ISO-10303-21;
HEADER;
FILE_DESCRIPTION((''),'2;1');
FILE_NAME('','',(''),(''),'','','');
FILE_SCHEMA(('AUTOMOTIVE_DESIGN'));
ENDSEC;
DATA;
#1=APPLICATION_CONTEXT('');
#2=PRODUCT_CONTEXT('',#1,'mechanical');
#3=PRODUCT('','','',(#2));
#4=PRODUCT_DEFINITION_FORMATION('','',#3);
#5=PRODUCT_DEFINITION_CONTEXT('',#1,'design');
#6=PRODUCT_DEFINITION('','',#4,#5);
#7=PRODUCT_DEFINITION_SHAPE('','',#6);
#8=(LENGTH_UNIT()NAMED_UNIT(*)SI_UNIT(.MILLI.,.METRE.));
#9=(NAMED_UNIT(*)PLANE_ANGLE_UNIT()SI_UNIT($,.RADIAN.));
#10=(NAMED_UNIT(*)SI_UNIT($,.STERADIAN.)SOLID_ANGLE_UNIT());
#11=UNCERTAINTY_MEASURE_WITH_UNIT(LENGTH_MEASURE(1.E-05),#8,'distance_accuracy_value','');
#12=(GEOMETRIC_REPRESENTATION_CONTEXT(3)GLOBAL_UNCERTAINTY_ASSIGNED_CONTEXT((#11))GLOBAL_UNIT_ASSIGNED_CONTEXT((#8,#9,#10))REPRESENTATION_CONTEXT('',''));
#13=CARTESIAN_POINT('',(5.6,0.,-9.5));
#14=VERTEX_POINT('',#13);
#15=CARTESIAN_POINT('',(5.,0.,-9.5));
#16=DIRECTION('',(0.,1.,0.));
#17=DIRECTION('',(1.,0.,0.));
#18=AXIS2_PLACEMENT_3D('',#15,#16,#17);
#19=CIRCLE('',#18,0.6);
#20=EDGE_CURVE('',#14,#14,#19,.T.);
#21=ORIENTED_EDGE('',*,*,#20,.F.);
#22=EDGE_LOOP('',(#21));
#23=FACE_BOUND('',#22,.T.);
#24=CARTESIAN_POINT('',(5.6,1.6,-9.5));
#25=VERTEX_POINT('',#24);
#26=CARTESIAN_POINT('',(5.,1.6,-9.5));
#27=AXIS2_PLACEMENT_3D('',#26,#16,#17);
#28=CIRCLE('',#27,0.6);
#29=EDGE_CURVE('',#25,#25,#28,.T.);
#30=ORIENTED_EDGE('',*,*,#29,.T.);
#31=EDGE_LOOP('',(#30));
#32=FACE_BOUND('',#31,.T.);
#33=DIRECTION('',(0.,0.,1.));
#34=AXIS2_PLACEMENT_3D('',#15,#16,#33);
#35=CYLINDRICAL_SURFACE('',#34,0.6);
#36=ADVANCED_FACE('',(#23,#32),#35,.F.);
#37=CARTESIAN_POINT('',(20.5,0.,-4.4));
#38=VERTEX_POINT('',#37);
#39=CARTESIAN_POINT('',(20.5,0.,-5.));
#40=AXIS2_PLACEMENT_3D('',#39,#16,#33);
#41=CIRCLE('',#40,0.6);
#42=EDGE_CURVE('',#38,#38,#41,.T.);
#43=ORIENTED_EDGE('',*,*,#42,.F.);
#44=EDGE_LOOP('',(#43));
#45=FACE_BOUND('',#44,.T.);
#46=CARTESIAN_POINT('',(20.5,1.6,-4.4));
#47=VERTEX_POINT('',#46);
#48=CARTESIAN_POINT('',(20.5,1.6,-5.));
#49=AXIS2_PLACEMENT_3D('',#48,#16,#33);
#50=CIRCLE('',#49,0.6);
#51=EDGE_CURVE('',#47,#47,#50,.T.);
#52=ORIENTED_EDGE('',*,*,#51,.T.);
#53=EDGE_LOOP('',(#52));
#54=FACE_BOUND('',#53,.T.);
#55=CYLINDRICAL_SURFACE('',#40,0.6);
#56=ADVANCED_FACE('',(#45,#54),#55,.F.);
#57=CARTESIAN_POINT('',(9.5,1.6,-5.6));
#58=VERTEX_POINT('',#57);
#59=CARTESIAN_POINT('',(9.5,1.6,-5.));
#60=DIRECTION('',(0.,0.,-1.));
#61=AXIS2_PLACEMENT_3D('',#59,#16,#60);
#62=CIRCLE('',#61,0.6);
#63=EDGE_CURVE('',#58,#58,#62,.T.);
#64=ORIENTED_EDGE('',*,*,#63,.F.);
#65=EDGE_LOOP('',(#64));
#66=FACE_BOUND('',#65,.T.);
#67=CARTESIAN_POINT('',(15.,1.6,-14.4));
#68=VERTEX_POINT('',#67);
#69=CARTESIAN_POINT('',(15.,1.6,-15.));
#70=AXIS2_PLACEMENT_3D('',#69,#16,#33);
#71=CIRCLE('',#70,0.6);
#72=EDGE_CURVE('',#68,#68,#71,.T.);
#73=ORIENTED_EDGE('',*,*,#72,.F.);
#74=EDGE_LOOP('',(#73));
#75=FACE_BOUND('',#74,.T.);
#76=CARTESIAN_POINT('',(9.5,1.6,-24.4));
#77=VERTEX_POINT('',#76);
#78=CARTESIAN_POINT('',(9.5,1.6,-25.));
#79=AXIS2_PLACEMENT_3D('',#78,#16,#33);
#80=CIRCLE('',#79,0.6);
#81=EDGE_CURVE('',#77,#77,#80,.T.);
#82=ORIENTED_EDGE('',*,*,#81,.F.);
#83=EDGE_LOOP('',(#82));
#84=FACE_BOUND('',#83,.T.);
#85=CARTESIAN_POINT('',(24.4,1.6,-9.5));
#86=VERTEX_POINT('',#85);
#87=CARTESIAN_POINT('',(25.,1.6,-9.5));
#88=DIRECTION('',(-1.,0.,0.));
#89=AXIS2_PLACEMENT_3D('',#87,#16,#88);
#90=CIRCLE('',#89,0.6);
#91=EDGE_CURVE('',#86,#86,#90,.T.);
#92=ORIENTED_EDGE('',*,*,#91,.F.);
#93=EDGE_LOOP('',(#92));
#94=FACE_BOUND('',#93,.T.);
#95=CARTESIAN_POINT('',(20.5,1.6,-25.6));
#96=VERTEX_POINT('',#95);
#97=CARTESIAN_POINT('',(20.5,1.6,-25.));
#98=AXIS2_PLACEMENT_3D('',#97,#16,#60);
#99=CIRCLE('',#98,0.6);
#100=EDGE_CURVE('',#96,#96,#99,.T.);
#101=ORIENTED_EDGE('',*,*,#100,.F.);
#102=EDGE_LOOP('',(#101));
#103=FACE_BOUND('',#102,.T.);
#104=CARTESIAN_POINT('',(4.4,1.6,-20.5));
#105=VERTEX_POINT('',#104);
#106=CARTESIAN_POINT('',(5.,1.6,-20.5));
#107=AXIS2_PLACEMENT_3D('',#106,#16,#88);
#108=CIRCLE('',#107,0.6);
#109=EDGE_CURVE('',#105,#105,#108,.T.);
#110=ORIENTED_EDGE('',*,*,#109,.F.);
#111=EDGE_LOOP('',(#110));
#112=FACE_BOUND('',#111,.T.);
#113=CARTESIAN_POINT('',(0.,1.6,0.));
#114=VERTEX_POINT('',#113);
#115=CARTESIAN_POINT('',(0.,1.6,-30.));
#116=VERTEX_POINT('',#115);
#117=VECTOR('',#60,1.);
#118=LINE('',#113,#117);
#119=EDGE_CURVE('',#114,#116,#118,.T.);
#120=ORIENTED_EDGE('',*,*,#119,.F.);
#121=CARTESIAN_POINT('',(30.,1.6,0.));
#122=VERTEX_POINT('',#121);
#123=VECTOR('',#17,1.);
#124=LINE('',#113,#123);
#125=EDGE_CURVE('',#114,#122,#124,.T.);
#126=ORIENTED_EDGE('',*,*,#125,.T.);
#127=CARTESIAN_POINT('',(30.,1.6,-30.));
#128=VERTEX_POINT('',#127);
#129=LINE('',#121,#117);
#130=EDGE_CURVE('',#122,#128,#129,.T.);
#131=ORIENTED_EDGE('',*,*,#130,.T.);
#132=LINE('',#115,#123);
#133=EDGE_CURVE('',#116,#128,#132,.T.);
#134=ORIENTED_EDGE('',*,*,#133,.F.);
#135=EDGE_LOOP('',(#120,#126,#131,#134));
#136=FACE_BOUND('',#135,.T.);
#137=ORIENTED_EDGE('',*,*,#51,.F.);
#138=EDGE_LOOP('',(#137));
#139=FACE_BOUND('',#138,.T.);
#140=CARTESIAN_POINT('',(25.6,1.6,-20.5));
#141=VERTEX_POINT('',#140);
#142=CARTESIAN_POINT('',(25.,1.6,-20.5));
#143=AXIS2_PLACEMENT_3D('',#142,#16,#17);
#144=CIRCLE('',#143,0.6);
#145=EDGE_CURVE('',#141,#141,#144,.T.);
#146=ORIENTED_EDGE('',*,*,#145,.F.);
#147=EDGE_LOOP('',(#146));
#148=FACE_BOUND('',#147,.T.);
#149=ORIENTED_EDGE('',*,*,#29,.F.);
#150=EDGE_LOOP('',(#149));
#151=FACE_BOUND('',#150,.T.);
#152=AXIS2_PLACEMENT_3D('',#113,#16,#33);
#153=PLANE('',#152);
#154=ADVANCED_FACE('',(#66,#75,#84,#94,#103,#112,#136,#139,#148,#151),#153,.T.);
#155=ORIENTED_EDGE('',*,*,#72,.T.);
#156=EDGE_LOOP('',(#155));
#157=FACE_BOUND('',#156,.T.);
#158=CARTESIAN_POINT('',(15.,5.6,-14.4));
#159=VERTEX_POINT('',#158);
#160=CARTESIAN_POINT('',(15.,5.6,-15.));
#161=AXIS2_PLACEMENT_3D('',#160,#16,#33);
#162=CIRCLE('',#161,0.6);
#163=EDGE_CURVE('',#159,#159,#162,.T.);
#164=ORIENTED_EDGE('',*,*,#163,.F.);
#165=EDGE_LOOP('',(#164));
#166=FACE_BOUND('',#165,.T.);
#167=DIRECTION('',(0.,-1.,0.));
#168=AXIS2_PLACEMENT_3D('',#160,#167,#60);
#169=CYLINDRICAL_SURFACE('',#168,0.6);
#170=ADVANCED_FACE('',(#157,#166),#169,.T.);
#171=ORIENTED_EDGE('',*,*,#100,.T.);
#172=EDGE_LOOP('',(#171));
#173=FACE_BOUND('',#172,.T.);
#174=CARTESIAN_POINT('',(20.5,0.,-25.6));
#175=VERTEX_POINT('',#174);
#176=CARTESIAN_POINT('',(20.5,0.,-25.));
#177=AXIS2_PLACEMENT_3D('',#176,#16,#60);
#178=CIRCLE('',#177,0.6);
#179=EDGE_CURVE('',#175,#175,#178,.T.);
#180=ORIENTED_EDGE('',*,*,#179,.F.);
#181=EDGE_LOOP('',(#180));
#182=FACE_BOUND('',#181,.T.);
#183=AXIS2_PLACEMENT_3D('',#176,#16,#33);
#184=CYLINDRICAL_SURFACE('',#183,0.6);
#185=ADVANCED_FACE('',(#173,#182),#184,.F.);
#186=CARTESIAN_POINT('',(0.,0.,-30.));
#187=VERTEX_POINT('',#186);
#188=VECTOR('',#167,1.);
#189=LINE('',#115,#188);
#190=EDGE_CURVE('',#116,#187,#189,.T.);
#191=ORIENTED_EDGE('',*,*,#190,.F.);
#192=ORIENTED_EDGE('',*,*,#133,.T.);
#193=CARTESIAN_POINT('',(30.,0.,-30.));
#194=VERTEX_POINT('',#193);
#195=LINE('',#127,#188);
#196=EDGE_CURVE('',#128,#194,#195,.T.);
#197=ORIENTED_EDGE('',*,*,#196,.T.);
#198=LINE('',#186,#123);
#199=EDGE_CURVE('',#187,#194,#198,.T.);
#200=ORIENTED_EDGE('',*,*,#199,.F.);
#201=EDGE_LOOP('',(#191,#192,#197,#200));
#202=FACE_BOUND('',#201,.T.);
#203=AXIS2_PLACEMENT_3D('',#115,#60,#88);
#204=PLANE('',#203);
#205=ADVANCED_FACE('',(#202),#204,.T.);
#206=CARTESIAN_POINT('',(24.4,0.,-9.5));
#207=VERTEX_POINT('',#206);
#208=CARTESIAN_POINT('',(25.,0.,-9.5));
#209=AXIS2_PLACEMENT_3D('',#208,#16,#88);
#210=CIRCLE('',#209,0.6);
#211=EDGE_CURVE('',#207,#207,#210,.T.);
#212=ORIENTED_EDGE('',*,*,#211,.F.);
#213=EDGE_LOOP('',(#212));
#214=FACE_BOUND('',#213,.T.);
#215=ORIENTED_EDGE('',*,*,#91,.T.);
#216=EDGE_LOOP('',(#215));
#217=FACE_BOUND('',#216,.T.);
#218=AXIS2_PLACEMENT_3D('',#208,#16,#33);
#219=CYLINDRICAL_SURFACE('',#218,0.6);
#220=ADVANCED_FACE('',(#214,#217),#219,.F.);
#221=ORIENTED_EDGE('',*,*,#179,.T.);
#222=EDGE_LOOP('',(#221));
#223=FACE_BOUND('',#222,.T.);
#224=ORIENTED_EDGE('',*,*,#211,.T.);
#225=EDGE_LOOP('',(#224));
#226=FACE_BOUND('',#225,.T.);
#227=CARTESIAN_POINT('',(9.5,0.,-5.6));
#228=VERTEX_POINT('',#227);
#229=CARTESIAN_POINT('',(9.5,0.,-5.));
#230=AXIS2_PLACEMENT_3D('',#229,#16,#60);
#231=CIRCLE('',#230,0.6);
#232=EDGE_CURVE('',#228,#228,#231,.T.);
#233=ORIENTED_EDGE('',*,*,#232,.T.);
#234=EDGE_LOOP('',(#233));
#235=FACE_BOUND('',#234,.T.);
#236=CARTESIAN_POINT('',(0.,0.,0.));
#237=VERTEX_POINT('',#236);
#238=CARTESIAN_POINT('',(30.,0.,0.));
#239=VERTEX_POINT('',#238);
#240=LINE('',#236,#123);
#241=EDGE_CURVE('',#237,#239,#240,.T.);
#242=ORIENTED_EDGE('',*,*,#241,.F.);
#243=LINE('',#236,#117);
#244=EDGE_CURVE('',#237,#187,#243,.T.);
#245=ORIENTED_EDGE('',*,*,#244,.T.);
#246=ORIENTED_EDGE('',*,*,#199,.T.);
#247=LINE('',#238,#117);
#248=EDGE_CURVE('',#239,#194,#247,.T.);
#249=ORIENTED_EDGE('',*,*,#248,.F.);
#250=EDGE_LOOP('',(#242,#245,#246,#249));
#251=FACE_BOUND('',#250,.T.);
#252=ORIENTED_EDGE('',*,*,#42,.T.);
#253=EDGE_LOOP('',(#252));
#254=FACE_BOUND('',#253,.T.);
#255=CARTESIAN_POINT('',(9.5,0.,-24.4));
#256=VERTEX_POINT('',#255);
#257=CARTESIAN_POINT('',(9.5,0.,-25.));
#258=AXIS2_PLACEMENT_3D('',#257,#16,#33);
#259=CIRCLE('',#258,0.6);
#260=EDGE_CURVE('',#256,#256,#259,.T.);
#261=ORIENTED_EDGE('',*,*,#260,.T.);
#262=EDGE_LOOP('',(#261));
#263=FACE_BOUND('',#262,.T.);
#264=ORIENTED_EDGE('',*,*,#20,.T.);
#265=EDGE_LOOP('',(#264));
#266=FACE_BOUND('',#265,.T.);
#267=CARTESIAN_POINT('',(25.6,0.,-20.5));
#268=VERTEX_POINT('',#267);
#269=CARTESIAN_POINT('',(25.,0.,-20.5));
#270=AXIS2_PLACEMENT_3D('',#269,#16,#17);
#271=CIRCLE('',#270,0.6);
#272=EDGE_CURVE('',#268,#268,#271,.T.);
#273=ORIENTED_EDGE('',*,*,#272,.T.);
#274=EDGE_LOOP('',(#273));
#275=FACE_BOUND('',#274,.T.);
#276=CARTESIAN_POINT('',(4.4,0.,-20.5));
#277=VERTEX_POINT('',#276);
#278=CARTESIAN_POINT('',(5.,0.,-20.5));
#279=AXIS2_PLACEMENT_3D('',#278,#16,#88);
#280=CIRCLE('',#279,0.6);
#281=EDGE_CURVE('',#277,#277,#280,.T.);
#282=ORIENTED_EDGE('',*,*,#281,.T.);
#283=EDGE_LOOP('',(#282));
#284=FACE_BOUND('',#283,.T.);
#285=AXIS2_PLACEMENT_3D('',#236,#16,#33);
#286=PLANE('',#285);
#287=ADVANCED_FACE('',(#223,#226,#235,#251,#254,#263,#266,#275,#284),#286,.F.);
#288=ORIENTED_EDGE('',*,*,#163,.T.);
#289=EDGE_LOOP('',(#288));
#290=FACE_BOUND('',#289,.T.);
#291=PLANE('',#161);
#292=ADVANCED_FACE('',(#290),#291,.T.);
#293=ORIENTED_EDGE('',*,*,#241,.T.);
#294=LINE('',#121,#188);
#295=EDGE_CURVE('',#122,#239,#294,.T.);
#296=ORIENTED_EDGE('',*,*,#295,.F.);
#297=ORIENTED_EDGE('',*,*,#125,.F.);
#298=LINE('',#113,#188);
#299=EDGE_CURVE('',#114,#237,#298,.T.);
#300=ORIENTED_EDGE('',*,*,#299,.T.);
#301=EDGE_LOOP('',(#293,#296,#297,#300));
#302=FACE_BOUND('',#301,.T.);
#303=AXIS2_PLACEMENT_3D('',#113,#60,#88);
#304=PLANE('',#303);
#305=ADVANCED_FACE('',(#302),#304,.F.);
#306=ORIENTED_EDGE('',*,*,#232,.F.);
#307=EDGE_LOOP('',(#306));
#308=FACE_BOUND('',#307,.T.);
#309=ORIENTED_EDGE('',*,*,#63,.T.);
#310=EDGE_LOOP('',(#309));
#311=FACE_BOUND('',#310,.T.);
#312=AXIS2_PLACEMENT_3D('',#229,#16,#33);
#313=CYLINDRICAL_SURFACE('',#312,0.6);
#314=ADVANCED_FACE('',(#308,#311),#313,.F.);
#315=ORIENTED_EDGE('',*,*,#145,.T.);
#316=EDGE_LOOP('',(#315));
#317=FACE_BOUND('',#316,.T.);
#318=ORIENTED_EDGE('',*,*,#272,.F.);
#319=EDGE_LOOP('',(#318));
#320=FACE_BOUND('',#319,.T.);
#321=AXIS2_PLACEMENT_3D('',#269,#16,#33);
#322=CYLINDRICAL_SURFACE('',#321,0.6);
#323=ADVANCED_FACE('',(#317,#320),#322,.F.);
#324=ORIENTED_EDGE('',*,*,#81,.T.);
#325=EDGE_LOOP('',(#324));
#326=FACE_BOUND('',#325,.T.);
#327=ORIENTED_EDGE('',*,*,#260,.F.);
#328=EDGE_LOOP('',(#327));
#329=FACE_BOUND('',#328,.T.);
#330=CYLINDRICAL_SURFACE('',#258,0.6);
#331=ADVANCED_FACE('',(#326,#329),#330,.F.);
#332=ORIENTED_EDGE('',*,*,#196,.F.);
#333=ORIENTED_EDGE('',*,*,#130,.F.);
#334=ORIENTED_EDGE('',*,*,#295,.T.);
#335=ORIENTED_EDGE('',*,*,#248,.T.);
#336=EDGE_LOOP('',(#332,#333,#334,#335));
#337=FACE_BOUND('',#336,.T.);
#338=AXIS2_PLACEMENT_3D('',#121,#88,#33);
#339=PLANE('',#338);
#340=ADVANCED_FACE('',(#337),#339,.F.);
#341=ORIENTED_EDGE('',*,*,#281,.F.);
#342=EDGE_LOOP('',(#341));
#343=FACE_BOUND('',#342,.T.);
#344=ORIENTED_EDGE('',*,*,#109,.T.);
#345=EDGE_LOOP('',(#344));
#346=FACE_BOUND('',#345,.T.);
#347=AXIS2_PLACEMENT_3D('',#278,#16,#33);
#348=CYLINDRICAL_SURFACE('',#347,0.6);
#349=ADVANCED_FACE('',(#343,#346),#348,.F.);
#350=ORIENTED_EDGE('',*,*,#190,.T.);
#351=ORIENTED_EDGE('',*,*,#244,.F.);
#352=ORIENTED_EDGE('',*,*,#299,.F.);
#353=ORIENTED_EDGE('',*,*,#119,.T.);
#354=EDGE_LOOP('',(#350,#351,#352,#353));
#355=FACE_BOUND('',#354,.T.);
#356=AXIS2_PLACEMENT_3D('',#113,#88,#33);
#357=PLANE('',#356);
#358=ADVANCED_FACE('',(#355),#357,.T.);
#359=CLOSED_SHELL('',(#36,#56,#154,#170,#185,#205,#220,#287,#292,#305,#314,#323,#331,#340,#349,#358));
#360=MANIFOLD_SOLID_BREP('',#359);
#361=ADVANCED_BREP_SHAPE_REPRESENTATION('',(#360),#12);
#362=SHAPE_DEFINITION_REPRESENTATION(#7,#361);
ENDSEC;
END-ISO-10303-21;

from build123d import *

# Parameters (mm, degrees)
SKETCH1_W           = 30
SKETCH1_H           = 30
BOSS_EXTRUDE1_DEPTH = 1.6
SKETCH2_R           = 0.6
CUT_EXTRUDE1_DEPTH  = 1.6
CIRPATTERN1_COUNT   = 2
CIRPATTERN1_ANGLE   = 90
SKETCH4_R           = 0.6
BOSS_EXTRUDE2_DEPTH = 4


with BuildPart() as part:
    # Sketch1 → Boss-Extrude1 (new body)
    with BuildSketch(Plane(origin=(0, 0, 0), x_dir=(1, 0, 0), z_dir=(0, 1, 0))):
        with Locations((15, 15)):
            Rectangle(SKETCH1_W, SKETCH1_H)
    extrude(amount=BOSS_EXTRUDE1_DEPTH)

    # Sketch2 → Cut-Extrude1 (cut)
    with BuildSketch(Plane(origin=(0, 1.6, 0), x_dir=(1, 0, 0), z_dir=(0, 1, 0))):
        with Locations((20.5, 5)):
            Circle(SKETCH2_R)
        with Locations((9.5, 5)):
            Circle(SKETCH2_R)
        with Locations((20.5, 25)):
            Circle(SKETCH2_R)
        with Locations((9.5, 25)):
            Circle(SKETCH2_R)
    cut_extrude1 = extrude(amount=-CUT_EXTRUDE1_DEPTH, mode=Mode.SUBTRACT)

    # CirPattern1: Cut-Extrude1 ×2 about axis
    cirpattern1_axis = Axis((15, 0, -15), (0, 1, 0))
    for i in range(1, CIRPATTERN1_COUNT):
        add(cut_extrude1.rotate(cirpattern1_axis, i * CIRPATTERN1_ANGLE / (CIRPATTERN1_COUNT - 1)), mode=Mode.SUBTRACT)

    # Sketch4 → Boss-Extrude2 (add)
    with BuildSketch(Plane(origin=(0, 1.6, 0), x_dir=(1, 0, 0), z_dir=(0, 1, 0))):
        with Locations((15, 15)):
            Circle(SKETCH4_R)
    extrude(amount=BOSS_EXTRUDE2_DEPTH)


solid = part.part
